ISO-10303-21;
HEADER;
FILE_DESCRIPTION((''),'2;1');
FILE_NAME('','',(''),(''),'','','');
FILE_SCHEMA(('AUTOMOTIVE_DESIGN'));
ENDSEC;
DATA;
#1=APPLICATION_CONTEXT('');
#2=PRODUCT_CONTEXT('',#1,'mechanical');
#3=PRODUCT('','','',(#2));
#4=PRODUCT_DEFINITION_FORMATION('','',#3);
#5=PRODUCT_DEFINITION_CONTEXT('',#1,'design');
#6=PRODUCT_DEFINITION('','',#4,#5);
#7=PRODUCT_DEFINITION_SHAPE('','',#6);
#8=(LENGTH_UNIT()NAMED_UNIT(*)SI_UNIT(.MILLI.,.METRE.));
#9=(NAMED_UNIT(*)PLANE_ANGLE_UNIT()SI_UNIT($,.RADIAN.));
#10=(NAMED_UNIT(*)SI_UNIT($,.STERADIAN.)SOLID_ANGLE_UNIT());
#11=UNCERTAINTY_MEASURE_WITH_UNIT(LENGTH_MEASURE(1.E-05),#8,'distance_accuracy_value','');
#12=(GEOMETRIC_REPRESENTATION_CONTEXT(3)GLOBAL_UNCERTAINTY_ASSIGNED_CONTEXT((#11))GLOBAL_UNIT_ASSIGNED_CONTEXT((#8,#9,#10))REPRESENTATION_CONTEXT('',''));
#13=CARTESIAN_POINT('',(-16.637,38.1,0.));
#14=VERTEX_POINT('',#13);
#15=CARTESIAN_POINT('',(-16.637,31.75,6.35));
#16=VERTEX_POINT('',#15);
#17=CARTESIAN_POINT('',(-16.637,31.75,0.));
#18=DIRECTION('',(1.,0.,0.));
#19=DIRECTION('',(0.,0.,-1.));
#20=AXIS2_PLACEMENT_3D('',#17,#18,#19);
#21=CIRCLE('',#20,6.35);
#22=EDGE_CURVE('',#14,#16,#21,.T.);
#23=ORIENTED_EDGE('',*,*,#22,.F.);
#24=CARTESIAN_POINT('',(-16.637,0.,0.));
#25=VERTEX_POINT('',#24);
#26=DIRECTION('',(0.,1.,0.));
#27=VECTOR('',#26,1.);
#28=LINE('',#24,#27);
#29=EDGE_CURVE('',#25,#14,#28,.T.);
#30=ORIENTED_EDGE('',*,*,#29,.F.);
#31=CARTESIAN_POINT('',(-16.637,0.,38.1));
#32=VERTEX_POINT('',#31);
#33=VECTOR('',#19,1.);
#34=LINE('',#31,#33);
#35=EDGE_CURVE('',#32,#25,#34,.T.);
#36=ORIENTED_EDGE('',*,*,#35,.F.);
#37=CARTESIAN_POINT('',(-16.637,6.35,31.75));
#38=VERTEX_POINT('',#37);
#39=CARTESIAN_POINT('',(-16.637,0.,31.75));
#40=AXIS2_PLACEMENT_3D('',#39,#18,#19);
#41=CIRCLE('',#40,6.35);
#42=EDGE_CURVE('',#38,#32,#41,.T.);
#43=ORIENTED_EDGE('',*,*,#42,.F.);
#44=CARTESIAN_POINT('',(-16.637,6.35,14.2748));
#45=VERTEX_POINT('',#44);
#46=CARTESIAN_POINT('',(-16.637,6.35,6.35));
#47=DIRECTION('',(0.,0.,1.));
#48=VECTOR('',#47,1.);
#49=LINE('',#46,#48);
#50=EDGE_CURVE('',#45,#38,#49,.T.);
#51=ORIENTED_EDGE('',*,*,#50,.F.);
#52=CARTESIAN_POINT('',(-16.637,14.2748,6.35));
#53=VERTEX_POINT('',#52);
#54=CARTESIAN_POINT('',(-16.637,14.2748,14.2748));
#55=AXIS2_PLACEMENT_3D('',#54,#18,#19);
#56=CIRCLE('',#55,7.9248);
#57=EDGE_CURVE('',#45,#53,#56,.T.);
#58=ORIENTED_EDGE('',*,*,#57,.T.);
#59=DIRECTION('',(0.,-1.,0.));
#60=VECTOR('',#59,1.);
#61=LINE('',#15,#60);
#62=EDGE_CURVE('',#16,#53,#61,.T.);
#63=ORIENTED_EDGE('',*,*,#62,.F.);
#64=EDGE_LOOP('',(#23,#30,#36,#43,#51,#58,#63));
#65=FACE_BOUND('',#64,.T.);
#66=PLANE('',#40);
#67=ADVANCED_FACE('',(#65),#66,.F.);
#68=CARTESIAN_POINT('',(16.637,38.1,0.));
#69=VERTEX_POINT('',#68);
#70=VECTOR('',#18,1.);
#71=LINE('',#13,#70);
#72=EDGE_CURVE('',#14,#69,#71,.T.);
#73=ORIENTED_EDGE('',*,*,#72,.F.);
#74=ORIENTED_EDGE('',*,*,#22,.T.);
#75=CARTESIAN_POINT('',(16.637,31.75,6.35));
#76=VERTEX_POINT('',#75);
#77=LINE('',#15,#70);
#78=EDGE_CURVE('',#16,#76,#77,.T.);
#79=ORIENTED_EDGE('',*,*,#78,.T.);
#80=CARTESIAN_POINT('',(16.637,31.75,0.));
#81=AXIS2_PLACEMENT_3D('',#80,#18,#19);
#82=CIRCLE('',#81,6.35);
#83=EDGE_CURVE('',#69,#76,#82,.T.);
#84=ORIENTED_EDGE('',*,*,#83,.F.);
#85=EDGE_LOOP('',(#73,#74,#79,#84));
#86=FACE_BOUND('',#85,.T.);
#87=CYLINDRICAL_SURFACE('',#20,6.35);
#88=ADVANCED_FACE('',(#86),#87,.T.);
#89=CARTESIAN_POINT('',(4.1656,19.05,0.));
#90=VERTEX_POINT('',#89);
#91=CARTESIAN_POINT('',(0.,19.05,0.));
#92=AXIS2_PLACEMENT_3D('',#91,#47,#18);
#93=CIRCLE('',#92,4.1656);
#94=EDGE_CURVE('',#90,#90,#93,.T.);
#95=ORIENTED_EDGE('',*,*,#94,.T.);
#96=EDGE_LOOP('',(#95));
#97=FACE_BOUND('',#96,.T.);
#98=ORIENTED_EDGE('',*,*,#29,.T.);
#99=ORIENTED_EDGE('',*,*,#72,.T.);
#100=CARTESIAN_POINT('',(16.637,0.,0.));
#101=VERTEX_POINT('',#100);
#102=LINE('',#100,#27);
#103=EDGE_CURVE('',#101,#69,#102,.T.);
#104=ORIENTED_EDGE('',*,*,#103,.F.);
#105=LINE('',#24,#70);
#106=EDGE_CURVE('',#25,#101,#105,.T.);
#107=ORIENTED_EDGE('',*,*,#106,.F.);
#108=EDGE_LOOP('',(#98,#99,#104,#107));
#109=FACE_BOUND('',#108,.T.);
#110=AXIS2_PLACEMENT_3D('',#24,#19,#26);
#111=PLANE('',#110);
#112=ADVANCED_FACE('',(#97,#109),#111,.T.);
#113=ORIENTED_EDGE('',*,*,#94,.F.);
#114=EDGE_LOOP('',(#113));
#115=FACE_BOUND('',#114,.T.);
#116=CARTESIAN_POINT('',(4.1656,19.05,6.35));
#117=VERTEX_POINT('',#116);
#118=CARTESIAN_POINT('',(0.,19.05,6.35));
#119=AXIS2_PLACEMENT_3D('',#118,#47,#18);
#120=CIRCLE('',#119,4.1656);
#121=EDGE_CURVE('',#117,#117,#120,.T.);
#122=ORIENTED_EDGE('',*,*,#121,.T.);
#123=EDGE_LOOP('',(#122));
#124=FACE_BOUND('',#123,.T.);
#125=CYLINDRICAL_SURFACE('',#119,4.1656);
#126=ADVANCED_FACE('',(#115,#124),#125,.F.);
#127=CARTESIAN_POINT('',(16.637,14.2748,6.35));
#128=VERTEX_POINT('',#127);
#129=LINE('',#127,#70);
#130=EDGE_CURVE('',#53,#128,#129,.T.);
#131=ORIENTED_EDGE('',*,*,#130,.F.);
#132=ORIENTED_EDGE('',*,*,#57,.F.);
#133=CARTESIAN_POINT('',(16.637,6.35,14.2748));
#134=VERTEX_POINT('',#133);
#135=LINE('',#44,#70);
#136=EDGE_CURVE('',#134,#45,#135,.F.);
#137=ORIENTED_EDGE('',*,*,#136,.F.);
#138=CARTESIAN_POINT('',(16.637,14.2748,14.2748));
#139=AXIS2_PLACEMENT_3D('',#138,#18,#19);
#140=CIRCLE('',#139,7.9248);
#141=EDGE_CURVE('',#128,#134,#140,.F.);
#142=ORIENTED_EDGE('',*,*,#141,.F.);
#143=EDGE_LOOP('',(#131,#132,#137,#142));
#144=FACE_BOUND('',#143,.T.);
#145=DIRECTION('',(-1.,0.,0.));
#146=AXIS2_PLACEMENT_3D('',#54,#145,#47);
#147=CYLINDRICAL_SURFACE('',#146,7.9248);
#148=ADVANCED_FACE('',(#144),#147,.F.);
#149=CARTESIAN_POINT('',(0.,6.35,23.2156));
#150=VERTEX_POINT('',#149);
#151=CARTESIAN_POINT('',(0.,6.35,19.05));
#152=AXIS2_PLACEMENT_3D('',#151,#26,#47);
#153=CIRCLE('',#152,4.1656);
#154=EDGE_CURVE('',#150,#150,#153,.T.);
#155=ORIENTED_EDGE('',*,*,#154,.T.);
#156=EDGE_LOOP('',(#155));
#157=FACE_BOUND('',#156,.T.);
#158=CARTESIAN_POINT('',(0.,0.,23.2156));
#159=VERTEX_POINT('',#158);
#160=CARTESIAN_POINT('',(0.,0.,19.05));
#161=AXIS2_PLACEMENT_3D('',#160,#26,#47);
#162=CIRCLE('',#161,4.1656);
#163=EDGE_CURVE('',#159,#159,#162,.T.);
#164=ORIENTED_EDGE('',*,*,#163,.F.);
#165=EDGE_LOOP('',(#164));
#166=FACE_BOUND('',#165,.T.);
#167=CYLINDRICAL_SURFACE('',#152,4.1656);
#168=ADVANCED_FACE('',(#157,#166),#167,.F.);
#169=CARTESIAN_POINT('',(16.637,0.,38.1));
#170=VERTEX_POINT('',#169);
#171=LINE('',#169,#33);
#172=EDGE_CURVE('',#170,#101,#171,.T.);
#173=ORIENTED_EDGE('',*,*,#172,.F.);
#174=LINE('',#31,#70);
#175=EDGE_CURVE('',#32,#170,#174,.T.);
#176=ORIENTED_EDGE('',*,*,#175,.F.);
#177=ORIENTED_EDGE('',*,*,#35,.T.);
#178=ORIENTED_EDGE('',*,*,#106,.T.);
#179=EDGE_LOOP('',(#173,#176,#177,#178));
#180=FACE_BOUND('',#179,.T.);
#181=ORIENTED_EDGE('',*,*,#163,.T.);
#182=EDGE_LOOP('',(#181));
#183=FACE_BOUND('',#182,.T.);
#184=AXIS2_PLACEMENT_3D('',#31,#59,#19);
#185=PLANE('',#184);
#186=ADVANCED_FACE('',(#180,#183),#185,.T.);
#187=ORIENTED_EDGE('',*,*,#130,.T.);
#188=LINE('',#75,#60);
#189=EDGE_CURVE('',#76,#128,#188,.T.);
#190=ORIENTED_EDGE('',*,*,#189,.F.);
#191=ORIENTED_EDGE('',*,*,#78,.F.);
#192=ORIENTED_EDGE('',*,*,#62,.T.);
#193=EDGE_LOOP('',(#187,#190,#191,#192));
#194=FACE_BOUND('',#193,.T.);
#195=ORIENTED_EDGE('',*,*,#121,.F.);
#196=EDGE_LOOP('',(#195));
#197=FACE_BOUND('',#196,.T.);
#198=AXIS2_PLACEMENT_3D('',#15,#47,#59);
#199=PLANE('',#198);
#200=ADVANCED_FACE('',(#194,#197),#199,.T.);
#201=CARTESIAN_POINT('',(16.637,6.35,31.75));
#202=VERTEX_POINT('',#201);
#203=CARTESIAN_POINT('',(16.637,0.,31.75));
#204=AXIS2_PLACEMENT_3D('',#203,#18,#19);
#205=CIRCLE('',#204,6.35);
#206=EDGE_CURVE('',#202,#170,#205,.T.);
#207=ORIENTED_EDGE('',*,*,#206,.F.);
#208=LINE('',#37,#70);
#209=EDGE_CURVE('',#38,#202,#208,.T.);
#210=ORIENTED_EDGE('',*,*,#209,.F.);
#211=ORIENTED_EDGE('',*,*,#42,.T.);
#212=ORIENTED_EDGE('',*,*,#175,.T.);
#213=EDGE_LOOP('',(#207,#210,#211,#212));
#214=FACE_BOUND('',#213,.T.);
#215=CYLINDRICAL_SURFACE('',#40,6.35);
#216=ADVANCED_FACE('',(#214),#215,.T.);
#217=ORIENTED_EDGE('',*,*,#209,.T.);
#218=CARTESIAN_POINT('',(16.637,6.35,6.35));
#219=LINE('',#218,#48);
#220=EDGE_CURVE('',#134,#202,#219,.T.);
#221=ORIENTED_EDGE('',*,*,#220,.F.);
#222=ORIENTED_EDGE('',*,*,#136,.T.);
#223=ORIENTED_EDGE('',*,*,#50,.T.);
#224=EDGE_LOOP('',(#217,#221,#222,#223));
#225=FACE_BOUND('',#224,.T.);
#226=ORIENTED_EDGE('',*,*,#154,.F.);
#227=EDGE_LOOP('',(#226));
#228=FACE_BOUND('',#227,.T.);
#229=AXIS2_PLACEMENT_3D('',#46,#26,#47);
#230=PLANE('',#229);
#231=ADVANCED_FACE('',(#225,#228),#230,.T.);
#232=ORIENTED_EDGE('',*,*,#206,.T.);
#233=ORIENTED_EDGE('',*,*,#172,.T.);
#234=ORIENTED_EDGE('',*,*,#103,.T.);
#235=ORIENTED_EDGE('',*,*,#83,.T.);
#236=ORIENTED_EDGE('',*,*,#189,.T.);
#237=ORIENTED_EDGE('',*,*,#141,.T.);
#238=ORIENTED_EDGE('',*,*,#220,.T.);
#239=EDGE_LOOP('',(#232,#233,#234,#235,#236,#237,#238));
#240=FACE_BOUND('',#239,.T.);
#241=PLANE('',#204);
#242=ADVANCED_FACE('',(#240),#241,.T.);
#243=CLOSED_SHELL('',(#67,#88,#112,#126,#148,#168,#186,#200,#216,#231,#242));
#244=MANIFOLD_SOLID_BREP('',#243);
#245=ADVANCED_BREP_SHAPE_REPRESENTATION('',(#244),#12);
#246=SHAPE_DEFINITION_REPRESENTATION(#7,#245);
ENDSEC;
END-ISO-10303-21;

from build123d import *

# Parameters (mm, degrees)
BOSS_EXTRUDE1_DEPTH = 33.274
HOLE1_D             = 8.3312
HOLE1_DEPTH         = 6.35
HOLE2_D             = 8.3312
HOLE2_DEPTH         = 6.35
FILLET1_R           = 7.9248


with BuildPart() as part:
    # Sketch1 → Boss-Extrude1 (new body)
    with BuildSketch(Plane(origin=(16.637, 0, 0), x_dir=(0, 0, -1), z_dir=(1, 0, 0))):
        with BuildLine():
            Line((-38.1, 0), (0, 0))
            Line((0, 0), (0, 38.1))
            ThreePointArc((0, 38.1), (-4.490128061, 36.240128061), (-6.35, 31.75))
            Line((-6.35, 31.75), (-6.35, 6.35))
            Line((-6.35, 6.35), (-31.75, 6.35))
            ThreePointArc((-31.75, 6.35), (-36.240128061, 4.490128061), (-38.1, 0))
        make_face()
    extrude(amount=-BOSS_EXTRUDE1_DEPTH)

    # Hole1
    with Locations(Plane.XY.offset(6.35)):
        with Locations((0, 19.05)):
            Hole(HOLE1_D / 2, depth=HOLE1_DEPTH)

    # Hole2
    with Locations(Plane(origin=(0, 6.35, 0), x_dir=(1, 0, 0), z_dir=(0, 1, 0))):
        with Locations((0, -19.05)):
            Hole(HOLE2_D / 2, depth=HOLE2_DEPTH)

    # Fillet1
    fillet1_edges = [part.edges().sort_by_distance(p)[0] for p in [
        (0, 6.35, 6.35),
    ]]
    fillet(fillet1_edges, radius=FILLET1_R)


solid = part.part
